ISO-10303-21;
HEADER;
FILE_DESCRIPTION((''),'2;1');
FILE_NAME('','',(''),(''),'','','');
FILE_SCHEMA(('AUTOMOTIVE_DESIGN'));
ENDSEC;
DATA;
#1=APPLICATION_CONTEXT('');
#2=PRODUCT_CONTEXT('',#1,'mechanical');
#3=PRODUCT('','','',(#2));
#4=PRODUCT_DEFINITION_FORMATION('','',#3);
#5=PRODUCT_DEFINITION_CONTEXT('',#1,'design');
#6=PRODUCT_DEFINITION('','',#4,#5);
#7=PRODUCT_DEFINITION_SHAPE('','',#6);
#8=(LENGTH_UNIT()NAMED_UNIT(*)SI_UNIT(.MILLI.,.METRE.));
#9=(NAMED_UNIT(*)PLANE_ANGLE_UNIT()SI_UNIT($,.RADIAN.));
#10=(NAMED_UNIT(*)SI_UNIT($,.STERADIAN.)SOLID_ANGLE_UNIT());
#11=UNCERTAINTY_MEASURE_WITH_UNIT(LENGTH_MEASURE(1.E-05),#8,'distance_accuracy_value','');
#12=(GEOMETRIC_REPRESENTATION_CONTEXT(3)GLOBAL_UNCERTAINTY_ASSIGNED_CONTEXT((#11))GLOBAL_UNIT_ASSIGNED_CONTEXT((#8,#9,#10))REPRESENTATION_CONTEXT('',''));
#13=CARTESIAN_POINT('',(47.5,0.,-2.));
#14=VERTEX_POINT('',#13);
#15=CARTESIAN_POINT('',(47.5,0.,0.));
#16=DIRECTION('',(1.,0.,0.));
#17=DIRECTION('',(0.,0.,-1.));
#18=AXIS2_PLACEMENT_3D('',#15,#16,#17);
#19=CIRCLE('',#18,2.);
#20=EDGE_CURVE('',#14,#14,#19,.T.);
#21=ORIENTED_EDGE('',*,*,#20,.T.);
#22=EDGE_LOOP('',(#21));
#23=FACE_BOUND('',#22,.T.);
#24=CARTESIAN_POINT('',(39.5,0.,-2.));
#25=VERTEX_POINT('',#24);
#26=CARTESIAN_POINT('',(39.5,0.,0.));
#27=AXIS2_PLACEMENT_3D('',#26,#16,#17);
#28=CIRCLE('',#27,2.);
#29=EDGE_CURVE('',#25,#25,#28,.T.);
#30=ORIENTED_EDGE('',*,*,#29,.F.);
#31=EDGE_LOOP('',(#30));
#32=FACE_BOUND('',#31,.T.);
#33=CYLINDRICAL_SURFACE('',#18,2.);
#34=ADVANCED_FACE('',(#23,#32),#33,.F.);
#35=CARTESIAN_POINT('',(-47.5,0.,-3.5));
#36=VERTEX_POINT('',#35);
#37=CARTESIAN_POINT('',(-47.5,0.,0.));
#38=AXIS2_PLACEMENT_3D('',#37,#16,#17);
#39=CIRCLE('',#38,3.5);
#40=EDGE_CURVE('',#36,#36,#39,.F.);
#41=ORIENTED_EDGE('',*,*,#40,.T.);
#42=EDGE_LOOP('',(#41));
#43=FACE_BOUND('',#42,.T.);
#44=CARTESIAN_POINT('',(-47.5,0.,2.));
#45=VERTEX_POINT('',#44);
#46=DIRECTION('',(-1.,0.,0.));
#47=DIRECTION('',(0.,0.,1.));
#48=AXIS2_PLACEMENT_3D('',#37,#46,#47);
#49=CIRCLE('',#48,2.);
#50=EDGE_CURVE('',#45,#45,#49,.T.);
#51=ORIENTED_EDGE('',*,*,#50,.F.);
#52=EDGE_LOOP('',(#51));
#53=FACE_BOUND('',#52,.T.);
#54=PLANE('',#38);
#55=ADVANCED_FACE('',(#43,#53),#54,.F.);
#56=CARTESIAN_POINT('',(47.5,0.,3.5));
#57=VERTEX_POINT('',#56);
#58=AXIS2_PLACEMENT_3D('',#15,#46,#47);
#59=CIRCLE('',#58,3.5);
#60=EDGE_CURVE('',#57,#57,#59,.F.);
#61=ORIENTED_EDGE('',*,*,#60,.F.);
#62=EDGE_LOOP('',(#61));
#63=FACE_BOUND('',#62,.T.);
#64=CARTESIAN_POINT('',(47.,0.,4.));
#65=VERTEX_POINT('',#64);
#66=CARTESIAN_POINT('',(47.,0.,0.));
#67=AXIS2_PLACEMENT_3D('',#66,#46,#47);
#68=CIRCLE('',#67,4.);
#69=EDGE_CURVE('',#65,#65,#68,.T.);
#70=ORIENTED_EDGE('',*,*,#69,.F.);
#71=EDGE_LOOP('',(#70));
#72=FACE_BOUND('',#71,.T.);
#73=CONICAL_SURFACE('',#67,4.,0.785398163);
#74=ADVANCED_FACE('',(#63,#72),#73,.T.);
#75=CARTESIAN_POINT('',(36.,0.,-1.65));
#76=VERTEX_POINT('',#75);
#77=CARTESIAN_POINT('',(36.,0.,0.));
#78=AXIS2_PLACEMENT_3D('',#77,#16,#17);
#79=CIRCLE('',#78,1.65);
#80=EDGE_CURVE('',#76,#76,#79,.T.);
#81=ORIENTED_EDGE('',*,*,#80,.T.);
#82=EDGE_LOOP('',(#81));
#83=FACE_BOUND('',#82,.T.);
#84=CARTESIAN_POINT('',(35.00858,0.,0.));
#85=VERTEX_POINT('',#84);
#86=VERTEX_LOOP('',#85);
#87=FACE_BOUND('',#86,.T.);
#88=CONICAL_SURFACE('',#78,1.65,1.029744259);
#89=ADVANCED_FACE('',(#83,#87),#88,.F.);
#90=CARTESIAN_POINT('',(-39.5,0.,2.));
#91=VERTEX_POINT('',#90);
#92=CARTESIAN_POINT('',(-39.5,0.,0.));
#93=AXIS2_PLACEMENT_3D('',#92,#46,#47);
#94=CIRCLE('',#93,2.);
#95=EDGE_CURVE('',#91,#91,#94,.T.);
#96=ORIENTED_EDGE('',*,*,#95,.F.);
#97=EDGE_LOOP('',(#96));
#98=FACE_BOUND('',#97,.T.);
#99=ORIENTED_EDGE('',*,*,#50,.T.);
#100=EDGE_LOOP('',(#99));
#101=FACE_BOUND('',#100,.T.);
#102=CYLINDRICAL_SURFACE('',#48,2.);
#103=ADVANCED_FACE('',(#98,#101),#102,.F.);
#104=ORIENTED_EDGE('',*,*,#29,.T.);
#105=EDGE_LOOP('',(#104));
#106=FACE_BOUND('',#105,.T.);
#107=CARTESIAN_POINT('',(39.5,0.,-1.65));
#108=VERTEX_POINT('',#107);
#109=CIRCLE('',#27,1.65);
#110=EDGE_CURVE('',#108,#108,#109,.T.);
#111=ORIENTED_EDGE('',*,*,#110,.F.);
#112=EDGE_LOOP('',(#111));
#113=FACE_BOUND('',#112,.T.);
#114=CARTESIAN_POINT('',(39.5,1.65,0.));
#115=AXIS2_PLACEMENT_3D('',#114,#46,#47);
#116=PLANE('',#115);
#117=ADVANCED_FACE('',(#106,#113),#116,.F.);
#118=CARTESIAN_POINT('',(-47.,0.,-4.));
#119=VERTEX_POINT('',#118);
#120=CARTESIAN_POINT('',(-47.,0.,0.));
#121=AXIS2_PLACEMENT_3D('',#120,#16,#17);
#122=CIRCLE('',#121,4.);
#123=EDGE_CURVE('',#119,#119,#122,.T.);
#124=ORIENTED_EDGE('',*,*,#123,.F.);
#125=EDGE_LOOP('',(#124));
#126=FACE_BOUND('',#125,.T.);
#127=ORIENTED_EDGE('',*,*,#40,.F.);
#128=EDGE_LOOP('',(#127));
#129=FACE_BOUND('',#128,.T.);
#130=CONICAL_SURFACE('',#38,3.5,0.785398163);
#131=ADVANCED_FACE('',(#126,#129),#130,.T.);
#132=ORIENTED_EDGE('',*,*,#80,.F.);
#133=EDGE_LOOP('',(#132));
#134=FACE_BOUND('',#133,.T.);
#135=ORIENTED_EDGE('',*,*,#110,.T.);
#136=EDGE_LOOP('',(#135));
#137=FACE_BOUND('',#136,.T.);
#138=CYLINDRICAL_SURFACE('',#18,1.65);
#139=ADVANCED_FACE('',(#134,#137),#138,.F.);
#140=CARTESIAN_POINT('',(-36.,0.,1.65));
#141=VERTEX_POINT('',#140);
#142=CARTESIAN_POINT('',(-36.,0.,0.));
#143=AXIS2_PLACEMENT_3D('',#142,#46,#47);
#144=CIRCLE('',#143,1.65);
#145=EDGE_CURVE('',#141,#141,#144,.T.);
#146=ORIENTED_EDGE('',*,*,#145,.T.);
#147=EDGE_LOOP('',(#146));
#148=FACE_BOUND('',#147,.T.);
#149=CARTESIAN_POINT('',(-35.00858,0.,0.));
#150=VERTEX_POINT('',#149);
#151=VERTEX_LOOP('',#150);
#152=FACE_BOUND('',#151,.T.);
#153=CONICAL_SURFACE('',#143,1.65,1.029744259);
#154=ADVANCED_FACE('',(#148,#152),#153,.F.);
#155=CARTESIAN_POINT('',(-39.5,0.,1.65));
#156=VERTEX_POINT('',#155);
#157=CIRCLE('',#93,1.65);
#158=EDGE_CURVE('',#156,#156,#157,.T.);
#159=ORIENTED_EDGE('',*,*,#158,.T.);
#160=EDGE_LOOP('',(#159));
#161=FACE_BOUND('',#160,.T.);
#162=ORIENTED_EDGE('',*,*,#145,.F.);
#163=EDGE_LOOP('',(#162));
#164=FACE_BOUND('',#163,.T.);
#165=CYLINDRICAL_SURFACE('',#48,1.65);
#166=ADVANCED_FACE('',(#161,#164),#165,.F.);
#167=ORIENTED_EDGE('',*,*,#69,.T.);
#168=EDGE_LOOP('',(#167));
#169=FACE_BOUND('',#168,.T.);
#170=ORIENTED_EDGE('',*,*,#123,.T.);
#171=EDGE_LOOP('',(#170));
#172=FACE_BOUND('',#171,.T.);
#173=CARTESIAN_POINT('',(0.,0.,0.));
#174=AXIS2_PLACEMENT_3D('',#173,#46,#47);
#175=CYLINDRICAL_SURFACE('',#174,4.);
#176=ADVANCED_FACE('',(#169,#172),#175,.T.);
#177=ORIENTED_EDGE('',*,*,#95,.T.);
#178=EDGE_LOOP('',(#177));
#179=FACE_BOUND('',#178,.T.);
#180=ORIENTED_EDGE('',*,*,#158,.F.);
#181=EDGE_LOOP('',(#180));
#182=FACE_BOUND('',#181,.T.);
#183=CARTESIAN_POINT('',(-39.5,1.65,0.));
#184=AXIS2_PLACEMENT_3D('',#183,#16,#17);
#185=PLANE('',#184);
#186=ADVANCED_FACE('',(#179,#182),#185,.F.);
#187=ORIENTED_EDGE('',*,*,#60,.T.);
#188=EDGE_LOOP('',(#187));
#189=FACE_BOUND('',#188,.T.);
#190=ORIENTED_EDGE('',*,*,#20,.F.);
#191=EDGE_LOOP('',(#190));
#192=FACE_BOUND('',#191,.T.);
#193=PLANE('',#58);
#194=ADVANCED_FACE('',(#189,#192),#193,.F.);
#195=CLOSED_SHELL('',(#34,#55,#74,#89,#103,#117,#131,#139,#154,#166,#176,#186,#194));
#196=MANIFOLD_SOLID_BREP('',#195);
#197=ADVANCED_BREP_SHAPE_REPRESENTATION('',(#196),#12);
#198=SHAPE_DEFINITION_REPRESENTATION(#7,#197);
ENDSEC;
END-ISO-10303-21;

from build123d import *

# Parameters (mm, degrees)
SKETCH_1_W                     = 95
SKETCH_1_H                     = 4
M4X0_7_1_D                     = 3.3
M4X0_7_1_DEPTH                 = 11.5
M4X0_7_1_CBORE_D               = 4
M4X0_7_1_CBORE_DEPTH           = 8
M4X0_7_1_TIP                   = 0.991420021
M4X0_7_1_ON_FACE_2_D           = 3.3
M4X0_7_1_ON_FACE_2_DEPTH       = 11.5
M4X0_7_1_ON_FACE_2_CBORE_D     = 4
M4X0_7_1_ON_FACE_2_CBORE_DEPTH = 8
M4X0_7_1_ON_FACE_2_TIP         = 0.991420021
CHAMFER_1_SIZE                 = 0.5


with BuildPart() as part:
    # ｽｹｯﾁ1 → 回転1 (revolve)
    with BuildSketch(Plane.XY, mode=Mode.PRIVATE) as revolve_1_sk:
        with Locations((0, 2)):
            Rectangle(SKETCH_1_W, SKETCH_1_H)
    revolve(revolve_1_sk.sketch.rotate(Axis((0, 0, 0), (1, 0, 0)), 90), axis=Axis((0, 0, 0), (1, 0, 0)))

    # M4x0.7 ねじ穴1
    with Locations(Plane(origin=(47.5, 0, 0), x_dir=(0, 0, 1), z_dir=(1, 0, 0))):
        with Locations((0, 0)):
            CounterBoreHole(M4X0_7_1_D / 2, M4X0_7_1_CBORE_D / 2, M4X0_7_1_CBORE_DEPTH, depth=M4X0_7_1_DEPTH)
            with Locations((0, 0, -(M4X0_7_1_DEPTH + M4X0_7_1_TIP / 2))):  # 118° drill point
                Cone(0, M4X0_7_1_D / 2, M4X0_7_1_TIP, mode=Mode.SUBTRACT)

    # M4x0.7 ねじ穴1 on face 2
    with Locations(Plane(origin=(-47.5, 0, 0), x_dir=(0, 0, -1), z_dir=(-1, 0, 0))):
        with Locations((0, 0)):
            CounterBoreHole(M4X0_7_1_ON_FACE_2_D / 2, M4X0_7_1_ON_FACE_2_CBORE_D / 2, M4X0_7_1_ON_FACE_2_CBORE_DEPTH, depth=M4X0_7_1_ON_FACE_2_DEPTH)
            with Locations((0, 0, -(M4X0_7_1_ON_FACE_2_DEPTH + M4X0_7_1_ON_FACE_2_TIP / 2))):  # 118° drill point
                Cone(0, M4X0_7_1_ON_FACE_2_D / 2, M4X0_7_1_ON_FACE_2_TIP, mode=Mode.SUBTRACT)

    # 面取り1
    chamfer_1_edges = [part.edges().sort_by_distance(p)[0] for p in [
        (47.5, 0, -4),
        (-47.5, 0, -4),
    ]]
    chamfer(chamfer_1_edges, length=CHAMFER_1_SIZE)


solid = part.part
